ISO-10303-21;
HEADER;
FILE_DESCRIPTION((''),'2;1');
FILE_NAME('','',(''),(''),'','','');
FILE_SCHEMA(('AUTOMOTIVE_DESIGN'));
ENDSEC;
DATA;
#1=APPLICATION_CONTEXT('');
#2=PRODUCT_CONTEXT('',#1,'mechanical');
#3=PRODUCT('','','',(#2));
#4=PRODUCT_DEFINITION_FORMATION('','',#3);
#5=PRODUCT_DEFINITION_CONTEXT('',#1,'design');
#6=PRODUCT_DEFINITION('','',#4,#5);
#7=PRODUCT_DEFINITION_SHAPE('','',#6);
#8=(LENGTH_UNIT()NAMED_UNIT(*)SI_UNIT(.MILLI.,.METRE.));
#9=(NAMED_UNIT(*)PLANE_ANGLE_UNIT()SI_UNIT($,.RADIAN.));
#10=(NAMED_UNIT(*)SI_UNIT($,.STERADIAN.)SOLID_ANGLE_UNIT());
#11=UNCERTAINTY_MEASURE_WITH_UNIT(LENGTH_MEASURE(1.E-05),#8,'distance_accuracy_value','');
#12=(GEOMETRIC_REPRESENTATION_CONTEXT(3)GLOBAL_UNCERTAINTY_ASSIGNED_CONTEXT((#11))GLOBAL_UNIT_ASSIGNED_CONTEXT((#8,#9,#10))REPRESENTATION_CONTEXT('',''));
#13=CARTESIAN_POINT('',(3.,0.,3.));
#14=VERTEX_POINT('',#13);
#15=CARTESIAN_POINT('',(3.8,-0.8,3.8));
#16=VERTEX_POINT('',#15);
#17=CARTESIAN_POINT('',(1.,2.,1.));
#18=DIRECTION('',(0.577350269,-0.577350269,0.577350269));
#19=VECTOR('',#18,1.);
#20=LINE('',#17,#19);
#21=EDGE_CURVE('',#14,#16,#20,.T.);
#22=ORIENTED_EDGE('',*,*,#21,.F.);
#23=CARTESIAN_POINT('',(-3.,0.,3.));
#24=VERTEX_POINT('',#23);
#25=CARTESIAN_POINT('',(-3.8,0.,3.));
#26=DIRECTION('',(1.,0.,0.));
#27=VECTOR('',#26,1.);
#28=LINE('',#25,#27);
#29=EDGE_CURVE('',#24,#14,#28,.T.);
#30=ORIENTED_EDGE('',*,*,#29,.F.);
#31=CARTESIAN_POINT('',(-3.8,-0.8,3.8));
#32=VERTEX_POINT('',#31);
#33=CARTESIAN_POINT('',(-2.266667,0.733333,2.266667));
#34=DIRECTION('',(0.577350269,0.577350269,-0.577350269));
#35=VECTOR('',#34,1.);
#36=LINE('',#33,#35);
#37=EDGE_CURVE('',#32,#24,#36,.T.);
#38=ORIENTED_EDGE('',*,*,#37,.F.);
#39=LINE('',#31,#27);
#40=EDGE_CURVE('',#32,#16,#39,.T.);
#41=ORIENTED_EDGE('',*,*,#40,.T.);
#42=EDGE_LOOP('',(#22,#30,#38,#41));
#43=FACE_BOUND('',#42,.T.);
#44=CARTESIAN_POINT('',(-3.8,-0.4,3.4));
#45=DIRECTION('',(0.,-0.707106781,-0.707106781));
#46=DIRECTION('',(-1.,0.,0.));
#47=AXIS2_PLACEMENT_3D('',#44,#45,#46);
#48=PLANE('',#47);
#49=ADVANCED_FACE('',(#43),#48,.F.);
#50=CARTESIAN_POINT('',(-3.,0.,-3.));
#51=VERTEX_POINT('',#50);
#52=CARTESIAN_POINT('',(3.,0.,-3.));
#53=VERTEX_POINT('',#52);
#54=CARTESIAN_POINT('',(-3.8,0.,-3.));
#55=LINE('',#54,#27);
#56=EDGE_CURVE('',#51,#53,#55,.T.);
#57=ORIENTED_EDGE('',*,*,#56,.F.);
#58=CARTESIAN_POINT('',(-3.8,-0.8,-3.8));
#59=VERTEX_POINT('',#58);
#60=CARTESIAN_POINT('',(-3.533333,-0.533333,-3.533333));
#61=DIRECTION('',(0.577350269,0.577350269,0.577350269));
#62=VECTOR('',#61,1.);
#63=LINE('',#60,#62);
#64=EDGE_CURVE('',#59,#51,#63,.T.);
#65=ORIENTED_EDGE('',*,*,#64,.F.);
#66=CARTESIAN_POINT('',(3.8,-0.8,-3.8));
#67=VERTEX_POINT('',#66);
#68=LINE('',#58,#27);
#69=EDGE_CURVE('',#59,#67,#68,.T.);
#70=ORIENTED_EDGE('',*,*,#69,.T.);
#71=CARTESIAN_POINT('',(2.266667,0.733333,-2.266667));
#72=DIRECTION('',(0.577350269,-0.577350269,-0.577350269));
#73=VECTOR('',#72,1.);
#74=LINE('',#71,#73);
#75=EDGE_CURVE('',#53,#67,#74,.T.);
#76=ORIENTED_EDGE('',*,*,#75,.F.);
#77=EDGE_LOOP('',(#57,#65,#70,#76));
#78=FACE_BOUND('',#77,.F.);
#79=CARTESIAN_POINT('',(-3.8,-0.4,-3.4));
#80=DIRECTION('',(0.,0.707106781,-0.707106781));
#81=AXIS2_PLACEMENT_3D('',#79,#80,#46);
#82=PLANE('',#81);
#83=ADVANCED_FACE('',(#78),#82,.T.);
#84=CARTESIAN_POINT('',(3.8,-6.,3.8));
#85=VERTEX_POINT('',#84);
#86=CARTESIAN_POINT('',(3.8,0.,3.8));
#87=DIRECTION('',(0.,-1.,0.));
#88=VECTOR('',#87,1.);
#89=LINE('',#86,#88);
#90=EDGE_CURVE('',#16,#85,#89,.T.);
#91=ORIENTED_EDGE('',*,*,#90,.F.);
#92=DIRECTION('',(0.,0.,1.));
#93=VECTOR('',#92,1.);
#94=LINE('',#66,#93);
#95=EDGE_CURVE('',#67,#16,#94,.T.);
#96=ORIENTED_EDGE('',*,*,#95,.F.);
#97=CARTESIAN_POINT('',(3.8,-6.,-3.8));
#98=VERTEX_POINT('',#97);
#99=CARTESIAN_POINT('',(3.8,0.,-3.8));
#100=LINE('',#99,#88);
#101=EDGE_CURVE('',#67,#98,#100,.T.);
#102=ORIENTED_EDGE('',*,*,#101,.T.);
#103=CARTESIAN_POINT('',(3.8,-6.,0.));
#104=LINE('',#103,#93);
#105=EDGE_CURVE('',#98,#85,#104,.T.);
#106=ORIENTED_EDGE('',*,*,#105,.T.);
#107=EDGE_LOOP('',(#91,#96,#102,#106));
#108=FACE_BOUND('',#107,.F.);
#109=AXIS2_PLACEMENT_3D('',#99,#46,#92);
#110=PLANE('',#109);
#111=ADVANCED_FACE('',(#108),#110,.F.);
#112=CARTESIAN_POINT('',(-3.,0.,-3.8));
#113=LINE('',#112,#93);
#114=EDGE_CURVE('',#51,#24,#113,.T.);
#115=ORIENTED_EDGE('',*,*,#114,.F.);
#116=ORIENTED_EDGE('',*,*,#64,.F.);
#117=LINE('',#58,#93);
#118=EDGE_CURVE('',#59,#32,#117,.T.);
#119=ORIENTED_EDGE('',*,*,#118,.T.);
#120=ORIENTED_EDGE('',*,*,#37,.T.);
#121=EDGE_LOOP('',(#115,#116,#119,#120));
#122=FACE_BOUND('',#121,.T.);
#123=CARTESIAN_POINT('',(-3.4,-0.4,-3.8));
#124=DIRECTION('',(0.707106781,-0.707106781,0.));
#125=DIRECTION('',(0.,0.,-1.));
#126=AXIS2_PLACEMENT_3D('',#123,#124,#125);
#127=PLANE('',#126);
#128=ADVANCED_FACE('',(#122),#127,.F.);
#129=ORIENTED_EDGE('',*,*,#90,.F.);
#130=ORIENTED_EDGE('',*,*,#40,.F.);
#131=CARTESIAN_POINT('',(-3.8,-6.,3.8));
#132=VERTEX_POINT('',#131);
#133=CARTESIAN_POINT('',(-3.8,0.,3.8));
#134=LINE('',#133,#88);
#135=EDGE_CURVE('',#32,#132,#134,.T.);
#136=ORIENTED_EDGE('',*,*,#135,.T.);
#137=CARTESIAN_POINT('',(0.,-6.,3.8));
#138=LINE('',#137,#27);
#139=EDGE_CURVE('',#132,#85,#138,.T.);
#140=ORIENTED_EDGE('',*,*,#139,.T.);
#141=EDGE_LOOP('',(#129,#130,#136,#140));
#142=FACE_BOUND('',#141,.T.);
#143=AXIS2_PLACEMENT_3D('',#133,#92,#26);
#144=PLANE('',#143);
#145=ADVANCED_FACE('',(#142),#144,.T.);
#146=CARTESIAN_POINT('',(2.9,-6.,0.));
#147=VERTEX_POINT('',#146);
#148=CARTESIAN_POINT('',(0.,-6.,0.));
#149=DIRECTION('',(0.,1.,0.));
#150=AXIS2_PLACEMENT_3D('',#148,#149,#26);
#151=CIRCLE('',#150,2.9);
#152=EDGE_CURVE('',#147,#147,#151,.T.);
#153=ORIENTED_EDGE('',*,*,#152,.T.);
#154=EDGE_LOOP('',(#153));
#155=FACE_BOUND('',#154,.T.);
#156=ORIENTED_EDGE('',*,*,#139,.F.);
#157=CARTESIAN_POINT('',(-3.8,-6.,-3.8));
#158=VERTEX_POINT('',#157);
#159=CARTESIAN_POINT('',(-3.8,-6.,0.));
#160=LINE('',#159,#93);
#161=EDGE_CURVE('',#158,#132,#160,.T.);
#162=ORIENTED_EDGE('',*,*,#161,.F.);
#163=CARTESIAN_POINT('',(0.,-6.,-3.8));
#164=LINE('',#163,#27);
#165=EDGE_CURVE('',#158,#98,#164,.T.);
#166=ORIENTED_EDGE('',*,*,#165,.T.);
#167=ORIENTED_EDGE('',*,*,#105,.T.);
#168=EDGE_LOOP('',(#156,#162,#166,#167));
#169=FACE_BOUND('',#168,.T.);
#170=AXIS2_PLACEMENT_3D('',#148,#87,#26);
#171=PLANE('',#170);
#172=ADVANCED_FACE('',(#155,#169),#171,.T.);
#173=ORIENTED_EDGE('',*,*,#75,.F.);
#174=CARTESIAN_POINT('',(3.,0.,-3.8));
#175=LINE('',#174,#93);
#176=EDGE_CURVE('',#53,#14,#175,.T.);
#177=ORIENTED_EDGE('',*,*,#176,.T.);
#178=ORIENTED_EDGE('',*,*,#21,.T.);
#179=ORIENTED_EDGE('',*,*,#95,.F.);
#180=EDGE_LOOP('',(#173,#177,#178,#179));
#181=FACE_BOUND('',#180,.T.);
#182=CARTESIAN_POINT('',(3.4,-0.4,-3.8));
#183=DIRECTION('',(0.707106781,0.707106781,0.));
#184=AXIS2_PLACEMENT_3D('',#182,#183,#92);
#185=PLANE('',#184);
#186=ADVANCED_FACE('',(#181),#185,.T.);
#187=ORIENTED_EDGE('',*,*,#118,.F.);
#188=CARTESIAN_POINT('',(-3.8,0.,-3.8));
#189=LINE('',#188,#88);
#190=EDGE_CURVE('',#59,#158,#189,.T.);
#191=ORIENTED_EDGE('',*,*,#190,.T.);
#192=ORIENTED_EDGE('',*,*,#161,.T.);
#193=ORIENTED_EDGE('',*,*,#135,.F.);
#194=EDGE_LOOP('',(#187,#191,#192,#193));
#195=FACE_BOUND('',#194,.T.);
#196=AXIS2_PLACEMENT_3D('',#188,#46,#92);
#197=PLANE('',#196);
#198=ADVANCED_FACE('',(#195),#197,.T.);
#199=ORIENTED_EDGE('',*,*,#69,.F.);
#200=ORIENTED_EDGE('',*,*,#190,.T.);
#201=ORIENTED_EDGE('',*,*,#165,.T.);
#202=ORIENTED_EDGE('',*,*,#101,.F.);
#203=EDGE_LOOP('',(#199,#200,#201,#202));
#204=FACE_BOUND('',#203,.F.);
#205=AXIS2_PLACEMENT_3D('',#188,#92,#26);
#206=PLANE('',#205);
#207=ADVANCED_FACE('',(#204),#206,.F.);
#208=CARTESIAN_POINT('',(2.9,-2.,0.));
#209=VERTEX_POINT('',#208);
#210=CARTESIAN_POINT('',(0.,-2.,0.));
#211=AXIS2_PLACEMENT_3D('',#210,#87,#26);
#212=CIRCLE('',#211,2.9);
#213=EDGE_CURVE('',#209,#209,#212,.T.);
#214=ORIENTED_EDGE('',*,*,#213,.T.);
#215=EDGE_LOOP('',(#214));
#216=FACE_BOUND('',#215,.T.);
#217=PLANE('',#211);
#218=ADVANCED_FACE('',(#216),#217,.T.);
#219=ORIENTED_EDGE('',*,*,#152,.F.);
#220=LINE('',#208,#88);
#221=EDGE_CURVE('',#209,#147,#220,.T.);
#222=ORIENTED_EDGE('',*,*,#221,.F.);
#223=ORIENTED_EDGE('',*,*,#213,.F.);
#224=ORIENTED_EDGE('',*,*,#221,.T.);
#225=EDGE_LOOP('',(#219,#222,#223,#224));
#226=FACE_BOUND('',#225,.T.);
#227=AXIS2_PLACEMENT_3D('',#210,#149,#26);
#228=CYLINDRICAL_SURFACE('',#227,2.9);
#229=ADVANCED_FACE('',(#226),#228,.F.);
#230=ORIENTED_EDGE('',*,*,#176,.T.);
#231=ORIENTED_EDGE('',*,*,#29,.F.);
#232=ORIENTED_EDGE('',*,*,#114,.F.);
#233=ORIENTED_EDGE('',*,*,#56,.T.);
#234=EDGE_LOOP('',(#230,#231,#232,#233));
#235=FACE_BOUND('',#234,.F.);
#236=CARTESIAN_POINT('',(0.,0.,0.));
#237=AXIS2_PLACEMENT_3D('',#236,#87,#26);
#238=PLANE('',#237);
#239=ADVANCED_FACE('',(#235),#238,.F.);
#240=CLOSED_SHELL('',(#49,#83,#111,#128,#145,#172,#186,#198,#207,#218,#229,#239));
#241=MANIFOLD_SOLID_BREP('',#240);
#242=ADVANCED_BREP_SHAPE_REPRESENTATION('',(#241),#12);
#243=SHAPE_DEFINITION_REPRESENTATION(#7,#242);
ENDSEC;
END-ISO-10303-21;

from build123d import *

# Parameters (mm, degrees)
SKETCH020_W       = 7.6
SKETCH020_H       = 7.6
PAD003_DEPTH      = 6
SKETCH022_R       = 2.8
PAD004_DEPTH      = 3
CYLINDER001_R     = 2.9
CYLINDER001_DEPTH = 10
CHAMFER_SIZE      = 0.8


with BuildPart() as part:
    # Sketch020 → Pad003 (new body)
    with BuildSketch(Plane.XZ):
        Rectangle(SKETCH020_W, SKETCH020_H)
    extrude(amount=PAD003_DEPTH)

    # Sketch022 → Pad004 (join)
    with BuildSketch(Plane.XZ.offset(6)):
        Circle(SKETCH022_R)
    extrude(amount=PAD004_DEPTH)

    # Cylinder001 → Cylinder001 (cut)
    with BuildSketch(Plane.XZ.offset(2)):
        Circle(CYLINDER001_R)
    extrude(amount=CYLINDER001_DEPTH, mode=Mode.SUBTRACT)

    # Chamfer
    chamfer_edges = [part.edges().sort_by_distance(p)[0] for p in [
        (3.8, 0, 0),
        (0, 0, -3.8),
        (0, 0, 3.8),
        (-3.8, 0, 0),
    ]]
    chamfer(chamfer_edges, length=CHAMFER_SIZE)


solid = part.part
